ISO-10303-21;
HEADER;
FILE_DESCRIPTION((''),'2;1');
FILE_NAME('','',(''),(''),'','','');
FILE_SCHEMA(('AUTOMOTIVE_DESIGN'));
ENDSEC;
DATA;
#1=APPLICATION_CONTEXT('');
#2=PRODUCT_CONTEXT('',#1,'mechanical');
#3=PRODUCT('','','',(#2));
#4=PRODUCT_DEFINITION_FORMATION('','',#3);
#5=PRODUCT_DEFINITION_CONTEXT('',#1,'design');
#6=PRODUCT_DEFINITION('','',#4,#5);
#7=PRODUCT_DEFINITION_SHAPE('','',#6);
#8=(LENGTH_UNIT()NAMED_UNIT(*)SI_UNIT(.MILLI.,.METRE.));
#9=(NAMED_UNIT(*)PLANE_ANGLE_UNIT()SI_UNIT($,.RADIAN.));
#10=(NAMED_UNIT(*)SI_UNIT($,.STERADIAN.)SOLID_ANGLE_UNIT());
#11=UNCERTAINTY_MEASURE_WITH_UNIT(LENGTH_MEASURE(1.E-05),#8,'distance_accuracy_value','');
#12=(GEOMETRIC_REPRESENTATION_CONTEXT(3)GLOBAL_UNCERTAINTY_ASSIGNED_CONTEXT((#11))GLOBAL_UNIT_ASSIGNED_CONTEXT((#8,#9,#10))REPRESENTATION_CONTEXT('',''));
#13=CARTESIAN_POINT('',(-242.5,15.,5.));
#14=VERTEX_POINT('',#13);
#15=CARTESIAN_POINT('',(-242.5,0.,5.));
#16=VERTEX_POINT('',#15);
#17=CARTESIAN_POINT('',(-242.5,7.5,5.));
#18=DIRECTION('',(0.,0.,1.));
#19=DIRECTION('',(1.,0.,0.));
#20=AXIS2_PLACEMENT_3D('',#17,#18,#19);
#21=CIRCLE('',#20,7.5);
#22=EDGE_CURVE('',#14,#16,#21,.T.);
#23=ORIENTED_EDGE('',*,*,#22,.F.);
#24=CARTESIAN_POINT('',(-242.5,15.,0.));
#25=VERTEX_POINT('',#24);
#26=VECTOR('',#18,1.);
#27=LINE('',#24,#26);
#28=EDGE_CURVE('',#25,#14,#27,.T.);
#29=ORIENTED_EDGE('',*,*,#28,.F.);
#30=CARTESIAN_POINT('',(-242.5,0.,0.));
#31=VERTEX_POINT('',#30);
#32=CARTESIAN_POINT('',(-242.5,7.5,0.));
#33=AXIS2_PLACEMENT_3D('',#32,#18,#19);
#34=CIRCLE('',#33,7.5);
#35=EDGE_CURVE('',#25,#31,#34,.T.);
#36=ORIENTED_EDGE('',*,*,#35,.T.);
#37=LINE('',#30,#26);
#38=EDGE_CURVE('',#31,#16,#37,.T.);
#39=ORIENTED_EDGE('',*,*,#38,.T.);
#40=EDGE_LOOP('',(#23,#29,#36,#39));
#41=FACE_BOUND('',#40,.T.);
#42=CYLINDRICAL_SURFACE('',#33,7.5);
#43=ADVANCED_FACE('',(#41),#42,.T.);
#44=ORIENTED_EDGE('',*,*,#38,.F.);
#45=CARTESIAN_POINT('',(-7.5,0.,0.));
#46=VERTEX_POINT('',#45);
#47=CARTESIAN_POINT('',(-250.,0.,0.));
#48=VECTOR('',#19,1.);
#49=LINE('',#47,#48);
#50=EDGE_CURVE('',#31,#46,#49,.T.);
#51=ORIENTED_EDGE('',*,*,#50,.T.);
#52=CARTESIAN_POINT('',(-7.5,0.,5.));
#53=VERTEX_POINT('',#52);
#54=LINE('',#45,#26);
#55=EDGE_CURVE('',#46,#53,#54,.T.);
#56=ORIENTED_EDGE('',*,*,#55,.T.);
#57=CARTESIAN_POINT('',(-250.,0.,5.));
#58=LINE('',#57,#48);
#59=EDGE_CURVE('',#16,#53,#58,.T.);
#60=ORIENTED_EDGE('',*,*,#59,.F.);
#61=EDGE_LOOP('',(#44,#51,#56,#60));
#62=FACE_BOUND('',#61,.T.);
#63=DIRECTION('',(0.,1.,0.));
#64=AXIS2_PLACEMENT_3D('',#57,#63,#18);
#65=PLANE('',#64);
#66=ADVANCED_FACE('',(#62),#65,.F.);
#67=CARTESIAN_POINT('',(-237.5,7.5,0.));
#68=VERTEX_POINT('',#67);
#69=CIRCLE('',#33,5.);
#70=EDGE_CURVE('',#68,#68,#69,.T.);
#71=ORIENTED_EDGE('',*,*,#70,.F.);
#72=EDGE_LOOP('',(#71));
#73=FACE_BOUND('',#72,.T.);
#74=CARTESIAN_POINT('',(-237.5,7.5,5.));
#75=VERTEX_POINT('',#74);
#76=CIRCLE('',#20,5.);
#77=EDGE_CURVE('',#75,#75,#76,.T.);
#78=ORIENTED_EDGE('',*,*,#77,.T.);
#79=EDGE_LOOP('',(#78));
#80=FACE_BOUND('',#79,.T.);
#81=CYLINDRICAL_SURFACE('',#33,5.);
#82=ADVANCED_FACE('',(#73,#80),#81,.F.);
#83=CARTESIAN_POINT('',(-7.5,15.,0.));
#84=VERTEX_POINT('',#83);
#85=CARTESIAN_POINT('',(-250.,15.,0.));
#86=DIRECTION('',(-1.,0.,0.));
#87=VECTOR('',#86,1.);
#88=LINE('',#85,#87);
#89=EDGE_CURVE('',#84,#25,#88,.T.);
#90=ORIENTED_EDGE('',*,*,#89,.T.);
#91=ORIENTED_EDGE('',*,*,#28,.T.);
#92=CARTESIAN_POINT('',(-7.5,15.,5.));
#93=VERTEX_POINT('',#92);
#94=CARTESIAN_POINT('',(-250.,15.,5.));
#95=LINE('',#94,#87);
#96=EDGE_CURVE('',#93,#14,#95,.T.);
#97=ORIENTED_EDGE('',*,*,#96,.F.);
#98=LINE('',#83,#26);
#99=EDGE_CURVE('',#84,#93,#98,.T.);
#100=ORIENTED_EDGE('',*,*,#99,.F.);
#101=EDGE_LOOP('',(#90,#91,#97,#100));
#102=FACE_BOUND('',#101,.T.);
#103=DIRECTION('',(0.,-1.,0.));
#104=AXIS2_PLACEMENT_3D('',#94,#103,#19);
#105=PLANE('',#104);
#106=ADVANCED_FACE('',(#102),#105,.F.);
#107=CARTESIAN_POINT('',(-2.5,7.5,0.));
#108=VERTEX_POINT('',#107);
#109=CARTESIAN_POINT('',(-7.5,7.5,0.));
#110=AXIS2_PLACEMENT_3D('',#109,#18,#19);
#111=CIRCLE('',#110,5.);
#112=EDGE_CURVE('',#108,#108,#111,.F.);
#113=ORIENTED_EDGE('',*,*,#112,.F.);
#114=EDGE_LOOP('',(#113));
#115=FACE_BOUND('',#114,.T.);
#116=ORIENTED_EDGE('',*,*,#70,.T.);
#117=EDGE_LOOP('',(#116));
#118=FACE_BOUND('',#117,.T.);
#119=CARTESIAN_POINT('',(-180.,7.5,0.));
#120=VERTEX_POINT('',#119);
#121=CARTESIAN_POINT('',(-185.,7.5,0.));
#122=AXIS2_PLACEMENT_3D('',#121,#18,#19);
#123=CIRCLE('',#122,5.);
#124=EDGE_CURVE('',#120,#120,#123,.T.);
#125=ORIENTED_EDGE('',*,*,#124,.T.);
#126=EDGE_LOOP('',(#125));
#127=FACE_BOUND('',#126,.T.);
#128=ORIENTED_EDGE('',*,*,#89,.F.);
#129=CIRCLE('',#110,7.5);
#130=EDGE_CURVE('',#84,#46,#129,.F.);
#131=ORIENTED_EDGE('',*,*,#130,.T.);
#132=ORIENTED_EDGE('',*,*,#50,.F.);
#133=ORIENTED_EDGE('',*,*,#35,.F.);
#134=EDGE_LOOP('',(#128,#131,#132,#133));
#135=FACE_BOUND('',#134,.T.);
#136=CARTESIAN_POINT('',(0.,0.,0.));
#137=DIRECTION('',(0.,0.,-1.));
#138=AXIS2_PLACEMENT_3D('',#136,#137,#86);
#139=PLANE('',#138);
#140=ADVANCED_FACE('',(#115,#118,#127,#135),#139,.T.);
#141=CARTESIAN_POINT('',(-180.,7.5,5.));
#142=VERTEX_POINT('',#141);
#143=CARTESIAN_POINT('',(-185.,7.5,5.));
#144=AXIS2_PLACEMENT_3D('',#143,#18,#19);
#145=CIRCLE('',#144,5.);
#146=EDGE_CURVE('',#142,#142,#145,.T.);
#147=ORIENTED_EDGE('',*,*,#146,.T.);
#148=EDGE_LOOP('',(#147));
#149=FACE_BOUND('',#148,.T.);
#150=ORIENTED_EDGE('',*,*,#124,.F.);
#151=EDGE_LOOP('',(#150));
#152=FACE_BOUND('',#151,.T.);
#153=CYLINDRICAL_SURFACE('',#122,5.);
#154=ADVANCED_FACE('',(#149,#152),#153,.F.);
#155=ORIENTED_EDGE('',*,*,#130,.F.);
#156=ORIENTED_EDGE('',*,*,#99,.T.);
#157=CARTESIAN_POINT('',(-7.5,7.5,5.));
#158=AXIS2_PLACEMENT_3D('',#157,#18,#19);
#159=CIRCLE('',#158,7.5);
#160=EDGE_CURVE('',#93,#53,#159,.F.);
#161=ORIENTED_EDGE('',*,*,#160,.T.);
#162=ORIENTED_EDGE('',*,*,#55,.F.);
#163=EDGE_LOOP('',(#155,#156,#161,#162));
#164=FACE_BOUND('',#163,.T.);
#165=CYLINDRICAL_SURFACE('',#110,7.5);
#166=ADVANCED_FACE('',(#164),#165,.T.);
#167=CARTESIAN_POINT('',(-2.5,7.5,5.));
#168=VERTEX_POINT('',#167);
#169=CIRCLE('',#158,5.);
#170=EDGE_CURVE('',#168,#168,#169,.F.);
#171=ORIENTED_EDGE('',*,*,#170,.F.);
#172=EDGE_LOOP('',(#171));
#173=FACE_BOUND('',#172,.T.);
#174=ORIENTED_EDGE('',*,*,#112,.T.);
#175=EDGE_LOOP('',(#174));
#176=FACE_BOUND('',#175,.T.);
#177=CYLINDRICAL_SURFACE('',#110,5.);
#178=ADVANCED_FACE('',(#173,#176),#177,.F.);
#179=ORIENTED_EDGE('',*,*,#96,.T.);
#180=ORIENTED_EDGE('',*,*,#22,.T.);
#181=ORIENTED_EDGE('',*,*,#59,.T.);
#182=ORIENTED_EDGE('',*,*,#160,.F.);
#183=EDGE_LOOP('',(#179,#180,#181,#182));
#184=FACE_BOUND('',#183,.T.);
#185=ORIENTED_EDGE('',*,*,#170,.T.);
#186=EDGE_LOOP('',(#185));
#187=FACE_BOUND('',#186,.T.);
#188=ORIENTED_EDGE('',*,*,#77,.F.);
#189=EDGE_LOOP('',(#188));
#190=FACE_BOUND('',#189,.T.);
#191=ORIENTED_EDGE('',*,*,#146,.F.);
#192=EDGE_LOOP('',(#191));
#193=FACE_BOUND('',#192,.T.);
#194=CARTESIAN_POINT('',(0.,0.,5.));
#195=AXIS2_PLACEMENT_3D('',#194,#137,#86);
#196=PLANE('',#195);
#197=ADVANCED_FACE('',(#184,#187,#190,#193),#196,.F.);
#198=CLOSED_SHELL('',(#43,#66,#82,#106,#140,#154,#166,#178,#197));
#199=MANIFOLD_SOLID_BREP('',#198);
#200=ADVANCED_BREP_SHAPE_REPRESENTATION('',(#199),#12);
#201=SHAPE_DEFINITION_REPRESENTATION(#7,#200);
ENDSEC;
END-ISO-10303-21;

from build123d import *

# Parameters (mm, degrees)
SKETCH3_W           = 250
SKETCH3_H           = 15
BOSS_EXTRUDE4_DEPTH = 5
SKETCH7_R           = 5
CUT_EXTRUDE3_DEPTH  = 5
SKETCH8_R           = 5
CUT_EXTRUDE5_DEPTH  = 6


with BuildPart() as part:
    # Sketch3 → Boss-Extrude4 (new body)
    with BuildSketch(Plane.XY):
        with Locations((-125, 7.5)):
            Rectangle(SKETCH3_W, SKETCH3_H)
    extrude(amount=BOSS_EXTRUDE4_DEPTH)

    # Sketch7 → Cut-Extrude3 (cut)
    with BuildSketch(Plane.XY.offset(5)):
        with BuildLine():
            Line((-242.499999991, 15), (-250, 15))
            Line((-250, 15), (-250, 7.5))
            ThreePointArc((-250, 7.5), (-247.803300856, 12.803300862), (-242.499999991, 15))
        make_face()
        with Locations((-242.5, 7.5)):
            Circle(SKETCH7_R)
        with BuildLine():
            ThreePointArc((-242.5, 0), (-247.803300859, 2.196699141), (-250, 7.5))
            Line((-250, 7.5), (-250, 0))
            Line((-250, 0), (-242.5, 0))
        make_face()
        with BuildLine():
            ThreePointArc((0, 7.5), (-2.196699166, 2.196699116), (-7.50000007, 0))
            Line((-7.50000007, 0), (0, 0))
            Line((0, 0), (0, 7.5))
        make_face()
        with BuildLine():
            Line((0, 15), (-7.5, 15))
            ThreePointArc((-7.5, 15), (-2.196699141, 12.803300859), (0, 7.5))
            Line((0, 7.5), (0, 15))
        make_face()
        with Locations((-7.5, 7.5)):
            Circle(SKETCH7_R)
    extrude(amount=-CUT_EXTRUDE3_DEPTH, mode=Mode.SUBTRACT)

    # Sketch8 → Cut-Extrude5 (cut, through all)
    with BuildSketch(Plane.XY.offset(5)):
        with Locations((-185, 7.5)):
            Circle(SKETCH8_R)
    extrude(amount=-CUT_EXTRUDE5_DEPTH, mode=Mode.SUBTRACT)


solid = part.part
